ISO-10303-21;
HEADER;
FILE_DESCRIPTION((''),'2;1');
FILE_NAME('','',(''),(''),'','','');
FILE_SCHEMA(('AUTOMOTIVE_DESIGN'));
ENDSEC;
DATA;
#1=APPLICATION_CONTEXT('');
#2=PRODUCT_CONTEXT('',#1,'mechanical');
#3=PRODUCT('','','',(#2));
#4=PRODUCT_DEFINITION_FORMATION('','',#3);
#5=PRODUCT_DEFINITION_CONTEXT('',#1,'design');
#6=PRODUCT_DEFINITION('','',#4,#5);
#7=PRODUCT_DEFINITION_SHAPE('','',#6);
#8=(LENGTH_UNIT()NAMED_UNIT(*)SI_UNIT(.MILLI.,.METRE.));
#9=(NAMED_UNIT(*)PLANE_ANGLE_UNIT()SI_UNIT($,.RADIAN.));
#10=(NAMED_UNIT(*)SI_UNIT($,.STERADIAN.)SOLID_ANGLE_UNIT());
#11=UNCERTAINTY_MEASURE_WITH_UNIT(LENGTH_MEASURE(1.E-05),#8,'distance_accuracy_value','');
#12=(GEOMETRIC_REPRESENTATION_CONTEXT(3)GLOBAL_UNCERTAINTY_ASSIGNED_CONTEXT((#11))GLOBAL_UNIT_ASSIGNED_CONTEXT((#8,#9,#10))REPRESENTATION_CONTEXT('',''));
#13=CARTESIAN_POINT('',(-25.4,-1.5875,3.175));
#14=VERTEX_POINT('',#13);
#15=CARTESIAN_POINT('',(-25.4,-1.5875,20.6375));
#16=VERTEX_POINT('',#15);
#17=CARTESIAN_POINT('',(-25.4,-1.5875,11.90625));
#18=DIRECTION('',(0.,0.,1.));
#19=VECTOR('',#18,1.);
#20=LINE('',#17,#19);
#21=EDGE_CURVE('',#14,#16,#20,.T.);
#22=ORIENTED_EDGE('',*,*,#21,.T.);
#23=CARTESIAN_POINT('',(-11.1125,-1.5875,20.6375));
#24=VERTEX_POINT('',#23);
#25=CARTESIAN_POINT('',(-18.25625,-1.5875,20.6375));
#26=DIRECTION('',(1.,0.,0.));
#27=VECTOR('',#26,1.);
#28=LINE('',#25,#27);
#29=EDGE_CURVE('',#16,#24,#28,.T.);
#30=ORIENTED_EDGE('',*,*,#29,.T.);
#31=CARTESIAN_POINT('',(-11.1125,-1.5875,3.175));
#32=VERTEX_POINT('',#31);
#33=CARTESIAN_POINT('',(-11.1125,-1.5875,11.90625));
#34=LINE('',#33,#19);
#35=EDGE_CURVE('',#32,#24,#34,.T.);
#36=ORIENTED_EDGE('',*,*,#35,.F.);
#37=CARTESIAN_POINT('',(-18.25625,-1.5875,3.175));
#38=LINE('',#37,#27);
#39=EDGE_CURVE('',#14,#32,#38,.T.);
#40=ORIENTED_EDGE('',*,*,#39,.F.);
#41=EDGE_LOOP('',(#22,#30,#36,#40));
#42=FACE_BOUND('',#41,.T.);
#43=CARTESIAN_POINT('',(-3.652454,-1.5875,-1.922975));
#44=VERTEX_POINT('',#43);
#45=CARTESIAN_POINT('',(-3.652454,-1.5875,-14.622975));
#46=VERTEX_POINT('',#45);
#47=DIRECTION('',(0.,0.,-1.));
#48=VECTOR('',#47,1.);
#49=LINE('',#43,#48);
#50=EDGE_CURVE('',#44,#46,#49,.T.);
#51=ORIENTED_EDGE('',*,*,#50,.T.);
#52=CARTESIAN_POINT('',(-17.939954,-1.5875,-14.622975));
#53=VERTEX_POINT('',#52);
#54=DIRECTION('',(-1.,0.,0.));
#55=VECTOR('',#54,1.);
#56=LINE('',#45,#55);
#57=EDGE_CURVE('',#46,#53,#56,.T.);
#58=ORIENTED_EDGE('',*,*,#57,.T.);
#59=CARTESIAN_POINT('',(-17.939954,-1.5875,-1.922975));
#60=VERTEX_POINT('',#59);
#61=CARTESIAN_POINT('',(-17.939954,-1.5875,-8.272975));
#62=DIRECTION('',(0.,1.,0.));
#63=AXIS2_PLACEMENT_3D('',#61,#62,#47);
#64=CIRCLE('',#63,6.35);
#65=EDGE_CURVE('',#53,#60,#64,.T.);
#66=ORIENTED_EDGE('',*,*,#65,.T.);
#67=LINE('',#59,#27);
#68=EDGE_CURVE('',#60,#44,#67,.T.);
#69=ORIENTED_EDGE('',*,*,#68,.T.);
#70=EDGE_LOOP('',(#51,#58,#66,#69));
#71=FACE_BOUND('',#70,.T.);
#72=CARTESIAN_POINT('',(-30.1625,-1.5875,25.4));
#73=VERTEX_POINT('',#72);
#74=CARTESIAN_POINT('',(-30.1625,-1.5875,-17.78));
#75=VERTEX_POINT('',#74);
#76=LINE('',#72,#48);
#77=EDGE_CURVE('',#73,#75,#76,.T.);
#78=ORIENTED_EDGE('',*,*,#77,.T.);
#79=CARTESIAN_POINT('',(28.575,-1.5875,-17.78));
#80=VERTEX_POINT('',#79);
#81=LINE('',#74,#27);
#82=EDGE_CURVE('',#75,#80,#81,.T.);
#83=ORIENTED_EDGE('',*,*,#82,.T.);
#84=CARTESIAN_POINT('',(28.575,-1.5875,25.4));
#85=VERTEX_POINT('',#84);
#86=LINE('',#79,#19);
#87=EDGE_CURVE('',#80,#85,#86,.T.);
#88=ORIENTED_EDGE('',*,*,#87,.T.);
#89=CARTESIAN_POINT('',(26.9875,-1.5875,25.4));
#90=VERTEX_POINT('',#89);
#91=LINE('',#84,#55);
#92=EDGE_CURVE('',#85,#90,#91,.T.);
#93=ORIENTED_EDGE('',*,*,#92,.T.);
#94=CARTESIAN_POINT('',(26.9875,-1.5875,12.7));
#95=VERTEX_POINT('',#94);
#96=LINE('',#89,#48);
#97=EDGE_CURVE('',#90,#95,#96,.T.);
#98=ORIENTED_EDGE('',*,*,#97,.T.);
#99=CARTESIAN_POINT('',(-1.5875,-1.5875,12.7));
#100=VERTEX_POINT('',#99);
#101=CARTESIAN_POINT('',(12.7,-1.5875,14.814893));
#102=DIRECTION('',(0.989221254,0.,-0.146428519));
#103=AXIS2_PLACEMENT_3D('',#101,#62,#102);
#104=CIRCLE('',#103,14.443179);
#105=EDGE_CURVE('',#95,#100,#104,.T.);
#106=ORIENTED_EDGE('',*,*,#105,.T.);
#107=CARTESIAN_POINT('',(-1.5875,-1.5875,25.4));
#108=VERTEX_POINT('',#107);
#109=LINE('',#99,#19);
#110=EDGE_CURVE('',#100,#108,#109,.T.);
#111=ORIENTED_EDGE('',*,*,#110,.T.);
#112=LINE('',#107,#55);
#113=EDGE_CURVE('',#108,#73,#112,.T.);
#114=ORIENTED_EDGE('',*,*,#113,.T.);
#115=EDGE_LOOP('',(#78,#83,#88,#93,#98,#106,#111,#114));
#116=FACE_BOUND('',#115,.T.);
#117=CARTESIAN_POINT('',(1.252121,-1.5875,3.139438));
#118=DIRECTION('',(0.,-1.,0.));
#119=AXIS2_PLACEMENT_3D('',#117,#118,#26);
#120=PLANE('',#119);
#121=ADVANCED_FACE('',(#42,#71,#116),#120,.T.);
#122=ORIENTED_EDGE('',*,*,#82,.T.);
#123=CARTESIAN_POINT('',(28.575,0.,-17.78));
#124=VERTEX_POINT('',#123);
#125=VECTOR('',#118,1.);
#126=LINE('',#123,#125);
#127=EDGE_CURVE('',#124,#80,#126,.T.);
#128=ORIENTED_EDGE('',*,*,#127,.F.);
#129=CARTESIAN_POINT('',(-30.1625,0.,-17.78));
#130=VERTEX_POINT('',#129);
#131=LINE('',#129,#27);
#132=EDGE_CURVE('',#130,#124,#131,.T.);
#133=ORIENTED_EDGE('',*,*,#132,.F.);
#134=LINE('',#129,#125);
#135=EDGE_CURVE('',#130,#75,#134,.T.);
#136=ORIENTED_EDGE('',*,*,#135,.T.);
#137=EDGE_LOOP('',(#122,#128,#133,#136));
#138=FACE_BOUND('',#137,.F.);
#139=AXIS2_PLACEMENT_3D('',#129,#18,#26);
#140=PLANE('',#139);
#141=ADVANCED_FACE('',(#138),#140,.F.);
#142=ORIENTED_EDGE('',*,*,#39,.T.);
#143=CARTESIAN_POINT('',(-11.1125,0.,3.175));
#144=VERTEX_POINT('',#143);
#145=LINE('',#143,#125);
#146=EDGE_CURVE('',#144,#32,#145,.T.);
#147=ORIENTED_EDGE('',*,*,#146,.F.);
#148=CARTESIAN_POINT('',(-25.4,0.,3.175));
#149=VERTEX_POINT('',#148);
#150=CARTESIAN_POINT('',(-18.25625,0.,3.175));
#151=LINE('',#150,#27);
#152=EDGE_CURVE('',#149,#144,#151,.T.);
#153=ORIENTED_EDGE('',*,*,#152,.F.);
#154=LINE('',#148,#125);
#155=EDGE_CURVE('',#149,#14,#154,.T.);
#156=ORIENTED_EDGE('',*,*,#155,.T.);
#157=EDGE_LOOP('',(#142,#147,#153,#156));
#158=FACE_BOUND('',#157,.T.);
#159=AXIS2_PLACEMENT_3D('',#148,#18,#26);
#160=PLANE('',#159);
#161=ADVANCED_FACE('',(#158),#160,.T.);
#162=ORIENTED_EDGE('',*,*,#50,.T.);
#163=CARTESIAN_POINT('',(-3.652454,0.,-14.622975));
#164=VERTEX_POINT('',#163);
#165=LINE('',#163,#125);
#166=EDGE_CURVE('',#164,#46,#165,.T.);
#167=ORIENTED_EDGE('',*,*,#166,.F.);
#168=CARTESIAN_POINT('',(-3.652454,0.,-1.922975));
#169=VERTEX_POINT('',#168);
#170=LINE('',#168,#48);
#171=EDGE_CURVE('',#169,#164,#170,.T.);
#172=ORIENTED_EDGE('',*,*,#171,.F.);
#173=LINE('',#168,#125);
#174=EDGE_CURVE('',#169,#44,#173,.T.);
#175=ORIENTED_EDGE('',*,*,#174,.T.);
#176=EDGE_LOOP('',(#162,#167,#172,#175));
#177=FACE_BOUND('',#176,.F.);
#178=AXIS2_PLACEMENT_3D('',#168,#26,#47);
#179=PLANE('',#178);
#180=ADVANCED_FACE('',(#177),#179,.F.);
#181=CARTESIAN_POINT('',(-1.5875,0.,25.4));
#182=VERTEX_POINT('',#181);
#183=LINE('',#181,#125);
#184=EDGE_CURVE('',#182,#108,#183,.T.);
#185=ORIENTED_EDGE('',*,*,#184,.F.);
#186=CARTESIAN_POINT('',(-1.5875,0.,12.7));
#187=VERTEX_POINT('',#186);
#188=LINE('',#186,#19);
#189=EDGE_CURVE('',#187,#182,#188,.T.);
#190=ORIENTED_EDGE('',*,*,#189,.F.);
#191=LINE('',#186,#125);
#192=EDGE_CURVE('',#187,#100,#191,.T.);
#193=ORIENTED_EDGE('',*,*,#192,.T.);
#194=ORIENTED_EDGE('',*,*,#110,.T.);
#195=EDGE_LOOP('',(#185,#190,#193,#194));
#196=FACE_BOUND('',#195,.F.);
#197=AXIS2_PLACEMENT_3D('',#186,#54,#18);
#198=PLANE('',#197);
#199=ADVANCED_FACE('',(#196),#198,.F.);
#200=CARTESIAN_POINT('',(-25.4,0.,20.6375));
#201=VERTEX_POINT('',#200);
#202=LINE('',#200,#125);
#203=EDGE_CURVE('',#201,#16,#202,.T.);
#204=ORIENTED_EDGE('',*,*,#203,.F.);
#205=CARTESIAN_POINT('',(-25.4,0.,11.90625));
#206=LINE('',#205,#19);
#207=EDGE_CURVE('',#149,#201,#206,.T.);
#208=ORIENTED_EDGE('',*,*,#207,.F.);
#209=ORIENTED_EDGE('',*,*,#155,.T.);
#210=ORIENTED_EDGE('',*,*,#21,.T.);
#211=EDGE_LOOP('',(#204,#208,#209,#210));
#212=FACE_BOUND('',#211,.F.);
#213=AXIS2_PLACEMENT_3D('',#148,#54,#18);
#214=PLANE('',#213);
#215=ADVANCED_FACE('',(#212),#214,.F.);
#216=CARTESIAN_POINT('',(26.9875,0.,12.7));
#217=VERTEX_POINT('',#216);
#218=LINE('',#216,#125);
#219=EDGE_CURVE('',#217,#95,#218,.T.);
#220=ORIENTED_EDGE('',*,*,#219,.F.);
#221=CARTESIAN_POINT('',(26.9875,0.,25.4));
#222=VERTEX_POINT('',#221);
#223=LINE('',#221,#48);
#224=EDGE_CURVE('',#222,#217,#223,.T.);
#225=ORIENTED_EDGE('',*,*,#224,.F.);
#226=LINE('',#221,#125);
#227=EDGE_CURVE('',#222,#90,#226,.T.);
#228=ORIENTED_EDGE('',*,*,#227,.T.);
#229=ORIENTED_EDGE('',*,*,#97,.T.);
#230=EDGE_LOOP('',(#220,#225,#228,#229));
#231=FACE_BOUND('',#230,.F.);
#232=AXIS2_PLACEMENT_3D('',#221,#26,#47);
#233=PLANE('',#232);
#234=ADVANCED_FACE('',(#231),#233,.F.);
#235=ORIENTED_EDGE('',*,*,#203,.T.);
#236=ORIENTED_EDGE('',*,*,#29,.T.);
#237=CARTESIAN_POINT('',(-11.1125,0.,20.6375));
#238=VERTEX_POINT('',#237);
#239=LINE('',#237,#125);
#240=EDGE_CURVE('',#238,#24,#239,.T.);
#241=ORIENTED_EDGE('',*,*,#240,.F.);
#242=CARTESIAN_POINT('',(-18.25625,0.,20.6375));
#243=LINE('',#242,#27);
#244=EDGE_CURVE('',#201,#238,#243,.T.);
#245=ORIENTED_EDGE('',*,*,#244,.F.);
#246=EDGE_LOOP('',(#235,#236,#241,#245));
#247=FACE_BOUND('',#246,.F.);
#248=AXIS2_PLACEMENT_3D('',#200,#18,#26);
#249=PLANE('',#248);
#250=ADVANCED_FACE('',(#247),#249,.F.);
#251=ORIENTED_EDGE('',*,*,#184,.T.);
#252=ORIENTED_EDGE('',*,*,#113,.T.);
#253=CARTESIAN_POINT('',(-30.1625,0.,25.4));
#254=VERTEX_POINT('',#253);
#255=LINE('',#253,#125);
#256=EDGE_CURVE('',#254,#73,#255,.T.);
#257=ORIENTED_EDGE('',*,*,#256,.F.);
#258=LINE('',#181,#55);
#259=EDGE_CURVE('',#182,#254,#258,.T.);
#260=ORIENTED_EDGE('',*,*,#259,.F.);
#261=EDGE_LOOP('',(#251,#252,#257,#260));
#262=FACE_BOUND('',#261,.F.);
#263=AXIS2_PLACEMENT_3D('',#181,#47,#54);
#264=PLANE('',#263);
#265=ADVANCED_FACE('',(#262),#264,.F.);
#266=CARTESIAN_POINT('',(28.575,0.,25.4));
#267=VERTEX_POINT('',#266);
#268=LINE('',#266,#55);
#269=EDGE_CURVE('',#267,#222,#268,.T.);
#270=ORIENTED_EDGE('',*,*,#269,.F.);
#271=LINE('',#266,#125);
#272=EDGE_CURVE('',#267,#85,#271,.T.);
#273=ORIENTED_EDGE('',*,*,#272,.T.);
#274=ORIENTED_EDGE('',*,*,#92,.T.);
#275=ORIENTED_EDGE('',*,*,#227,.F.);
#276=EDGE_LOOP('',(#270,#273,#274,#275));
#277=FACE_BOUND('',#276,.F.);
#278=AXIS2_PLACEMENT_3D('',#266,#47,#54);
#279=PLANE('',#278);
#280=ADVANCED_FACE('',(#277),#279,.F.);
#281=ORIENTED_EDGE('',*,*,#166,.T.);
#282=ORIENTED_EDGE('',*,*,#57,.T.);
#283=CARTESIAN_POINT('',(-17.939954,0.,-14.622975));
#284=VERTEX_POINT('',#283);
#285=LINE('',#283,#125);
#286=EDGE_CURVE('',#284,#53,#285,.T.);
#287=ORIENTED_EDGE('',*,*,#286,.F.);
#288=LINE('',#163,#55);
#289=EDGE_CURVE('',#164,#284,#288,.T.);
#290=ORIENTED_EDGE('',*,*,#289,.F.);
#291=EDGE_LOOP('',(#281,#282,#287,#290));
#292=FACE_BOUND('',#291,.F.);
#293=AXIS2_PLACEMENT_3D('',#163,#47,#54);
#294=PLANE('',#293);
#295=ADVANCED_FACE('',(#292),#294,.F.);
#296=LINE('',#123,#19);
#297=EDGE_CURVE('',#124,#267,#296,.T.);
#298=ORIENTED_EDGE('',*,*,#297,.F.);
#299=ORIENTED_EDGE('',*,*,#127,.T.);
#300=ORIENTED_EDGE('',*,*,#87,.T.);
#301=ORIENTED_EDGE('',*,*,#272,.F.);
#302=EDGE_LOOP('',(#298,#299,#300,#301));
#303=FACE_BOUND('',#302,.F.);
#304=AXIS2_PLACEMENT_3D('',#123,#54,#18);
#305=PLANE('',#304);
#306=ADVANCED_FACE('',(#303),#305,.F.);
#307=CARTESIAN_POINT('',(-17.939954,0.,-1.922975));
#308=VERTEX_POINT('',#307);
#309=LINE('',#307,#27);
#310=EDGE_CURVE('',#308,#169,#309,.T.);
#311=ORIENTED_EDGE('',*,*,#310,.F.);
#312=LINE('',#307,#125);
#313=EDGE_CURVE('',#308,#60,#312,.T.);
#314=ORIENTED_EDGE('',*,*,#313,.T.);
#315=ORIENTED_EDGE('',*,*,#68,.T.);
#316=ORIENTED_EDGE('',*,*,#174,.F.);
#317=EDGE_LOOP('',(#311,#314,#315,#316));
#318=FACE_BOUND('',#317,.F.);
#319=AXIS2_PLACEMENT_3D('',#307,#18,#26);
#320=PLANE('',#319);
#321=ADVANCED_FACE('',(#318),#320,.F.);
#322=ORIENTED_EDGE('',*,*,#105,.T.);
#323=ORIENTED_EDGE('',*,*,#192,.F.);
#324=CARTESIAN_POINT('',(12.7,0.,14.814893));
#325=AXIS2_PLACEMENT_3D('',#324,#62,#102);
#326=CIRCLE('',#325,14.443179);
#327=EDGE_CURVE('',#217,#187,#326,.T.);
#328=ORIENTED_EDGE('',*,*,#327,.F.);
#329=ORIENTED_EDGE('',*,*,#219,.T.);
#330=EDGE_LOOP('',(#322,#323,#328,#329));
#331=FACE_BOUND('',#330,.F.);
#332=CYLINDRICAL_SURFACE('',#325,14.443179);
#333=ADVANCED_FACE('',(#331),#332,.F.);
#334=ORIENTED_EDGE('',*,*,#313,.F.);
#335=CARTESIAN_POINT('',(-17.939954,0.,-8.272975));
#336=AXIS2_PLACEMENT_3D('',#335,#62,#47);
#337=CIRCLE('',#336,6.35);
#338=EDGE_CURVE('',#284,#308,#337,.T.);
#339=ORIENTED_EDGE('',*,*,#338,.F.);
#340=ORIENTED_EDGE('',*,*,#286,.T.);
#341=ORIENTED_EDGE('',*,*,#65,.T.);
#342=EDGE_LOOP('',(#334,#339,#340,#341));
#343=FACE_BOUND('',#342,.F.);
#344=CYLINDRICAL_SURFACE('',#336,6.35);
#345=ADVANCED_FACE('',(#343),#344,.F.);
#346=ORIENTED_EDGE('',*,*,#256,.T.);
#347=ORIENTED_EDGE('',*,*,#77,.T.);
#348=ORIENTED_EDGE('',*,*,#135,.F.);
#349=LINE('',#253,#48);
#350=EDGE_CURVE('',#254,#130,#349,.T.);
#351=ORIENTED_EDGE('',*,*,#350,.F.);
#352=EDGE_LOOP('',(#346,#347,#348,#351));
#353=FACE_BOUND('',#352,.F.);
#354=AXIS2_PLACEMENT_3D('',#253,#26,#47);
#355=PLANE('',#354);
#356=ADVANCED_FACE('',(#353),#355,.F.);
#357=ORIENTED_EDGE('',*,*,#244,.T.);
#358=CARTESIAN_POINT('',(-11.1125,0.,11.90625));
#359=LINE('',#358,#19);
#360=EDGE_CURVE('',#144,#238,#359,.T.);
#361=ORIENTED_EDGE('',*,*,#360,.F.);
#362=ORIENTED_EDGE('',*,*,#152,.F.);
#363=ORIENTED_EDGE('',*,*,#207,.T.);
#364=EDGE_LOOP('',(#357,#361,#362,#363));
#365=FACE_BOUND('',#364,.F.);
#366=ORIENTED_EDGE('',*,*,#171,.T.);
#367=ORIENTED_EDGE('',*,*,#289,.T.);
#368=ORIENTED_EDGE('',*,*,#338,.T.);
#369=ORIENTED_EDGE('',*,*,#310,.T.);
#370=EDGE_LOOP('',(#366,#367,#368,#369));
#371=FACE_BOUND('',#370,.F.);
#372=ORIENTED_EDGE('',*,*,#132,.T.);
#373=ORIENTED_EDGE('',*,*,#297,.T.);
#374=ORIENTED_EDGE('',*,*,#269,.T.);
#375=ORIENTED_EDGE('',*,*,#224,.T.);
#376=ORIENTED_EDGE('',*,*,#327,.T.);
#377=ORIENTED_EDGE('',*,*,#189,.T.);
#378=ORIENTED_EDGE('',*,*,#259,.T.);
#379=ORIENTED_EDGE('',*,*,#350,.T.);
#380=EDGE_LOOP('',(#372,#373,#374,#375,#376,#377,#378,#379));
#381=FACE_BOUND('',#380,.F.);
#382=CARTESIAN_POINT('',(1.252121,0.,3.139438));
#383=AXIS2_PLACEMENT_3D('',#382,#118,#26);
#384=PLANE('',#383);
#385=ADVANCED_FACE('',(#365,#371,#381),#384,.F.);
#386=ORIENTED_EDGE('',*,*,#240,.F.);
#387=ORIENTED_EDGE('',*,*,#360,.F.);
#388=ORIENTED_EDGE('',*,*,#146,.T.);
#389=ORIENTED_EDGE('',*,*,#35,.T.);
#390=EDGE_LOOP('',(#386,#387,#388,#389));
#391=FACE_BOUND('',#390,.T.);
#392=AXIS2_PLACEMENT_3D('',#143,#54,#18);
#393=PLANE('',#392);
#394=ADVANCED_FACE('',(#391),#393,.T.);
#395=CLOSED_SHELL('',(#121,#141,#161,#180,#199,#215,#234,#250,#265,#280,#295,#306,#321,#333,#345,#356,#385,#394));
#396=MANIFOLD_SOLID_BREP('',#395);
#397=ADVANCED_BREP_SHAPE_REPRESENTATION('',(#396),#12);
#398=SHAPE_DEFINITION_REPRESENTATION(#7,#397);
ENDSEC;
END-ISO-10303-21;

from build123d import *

# Parameters (mm, degrees)
F0_W     = 14.2875
F0_H     = 17.4625
F1_DEPTH = 1.5875


with BuildPart() as f1:
    # F0 (on Front) → F1 (new body)
    with BuildSketch(Plane.XZ):
        with BuildLine():
            Line((-30.1625, 25.4), (-30.1625, -17.78))
            Line((-30.1625, -17.78), (28.575, -17.78))
            Line((28.575, -17.78), (28.575, 25.4))
            Line((28.575, 25.4), (26.9875, 25.4))
            Line((26.9875, 25.4), (26.9875, 12.7))
            ThreePointArc((26.9875, 12.7), (12.7, 0.371714), (-1.5875, 12.7))
            Line((-1.5875, 12.7), (-1.5875, 25.4))
            Line((-1.5875, 25.4), (-30.1625, 25.4))
        make_face()
        with BuildLine():
            ThreePointArc((-17.939954, -14.622975), (-24.289954, -8.272975), (-17.939954, -1.922975))
            Line((-17.939954, -1.922975), (-3.652454, -1.922975))
            Line((-3.652454, -1.922975), (-3.652454, -14.622975))
            Line((-3.652454, -14.622975), (-17.939954, -14.622975))
        make_face(mode=Mode.SUBTRACT)
        with Locations((-18.25625, 11.90625)):
            Rectangle(F0_W, F0_H, mode=Mode.SUBTRACT)
    extrude(amount=F1_DEPTH)


solid = f1.part
